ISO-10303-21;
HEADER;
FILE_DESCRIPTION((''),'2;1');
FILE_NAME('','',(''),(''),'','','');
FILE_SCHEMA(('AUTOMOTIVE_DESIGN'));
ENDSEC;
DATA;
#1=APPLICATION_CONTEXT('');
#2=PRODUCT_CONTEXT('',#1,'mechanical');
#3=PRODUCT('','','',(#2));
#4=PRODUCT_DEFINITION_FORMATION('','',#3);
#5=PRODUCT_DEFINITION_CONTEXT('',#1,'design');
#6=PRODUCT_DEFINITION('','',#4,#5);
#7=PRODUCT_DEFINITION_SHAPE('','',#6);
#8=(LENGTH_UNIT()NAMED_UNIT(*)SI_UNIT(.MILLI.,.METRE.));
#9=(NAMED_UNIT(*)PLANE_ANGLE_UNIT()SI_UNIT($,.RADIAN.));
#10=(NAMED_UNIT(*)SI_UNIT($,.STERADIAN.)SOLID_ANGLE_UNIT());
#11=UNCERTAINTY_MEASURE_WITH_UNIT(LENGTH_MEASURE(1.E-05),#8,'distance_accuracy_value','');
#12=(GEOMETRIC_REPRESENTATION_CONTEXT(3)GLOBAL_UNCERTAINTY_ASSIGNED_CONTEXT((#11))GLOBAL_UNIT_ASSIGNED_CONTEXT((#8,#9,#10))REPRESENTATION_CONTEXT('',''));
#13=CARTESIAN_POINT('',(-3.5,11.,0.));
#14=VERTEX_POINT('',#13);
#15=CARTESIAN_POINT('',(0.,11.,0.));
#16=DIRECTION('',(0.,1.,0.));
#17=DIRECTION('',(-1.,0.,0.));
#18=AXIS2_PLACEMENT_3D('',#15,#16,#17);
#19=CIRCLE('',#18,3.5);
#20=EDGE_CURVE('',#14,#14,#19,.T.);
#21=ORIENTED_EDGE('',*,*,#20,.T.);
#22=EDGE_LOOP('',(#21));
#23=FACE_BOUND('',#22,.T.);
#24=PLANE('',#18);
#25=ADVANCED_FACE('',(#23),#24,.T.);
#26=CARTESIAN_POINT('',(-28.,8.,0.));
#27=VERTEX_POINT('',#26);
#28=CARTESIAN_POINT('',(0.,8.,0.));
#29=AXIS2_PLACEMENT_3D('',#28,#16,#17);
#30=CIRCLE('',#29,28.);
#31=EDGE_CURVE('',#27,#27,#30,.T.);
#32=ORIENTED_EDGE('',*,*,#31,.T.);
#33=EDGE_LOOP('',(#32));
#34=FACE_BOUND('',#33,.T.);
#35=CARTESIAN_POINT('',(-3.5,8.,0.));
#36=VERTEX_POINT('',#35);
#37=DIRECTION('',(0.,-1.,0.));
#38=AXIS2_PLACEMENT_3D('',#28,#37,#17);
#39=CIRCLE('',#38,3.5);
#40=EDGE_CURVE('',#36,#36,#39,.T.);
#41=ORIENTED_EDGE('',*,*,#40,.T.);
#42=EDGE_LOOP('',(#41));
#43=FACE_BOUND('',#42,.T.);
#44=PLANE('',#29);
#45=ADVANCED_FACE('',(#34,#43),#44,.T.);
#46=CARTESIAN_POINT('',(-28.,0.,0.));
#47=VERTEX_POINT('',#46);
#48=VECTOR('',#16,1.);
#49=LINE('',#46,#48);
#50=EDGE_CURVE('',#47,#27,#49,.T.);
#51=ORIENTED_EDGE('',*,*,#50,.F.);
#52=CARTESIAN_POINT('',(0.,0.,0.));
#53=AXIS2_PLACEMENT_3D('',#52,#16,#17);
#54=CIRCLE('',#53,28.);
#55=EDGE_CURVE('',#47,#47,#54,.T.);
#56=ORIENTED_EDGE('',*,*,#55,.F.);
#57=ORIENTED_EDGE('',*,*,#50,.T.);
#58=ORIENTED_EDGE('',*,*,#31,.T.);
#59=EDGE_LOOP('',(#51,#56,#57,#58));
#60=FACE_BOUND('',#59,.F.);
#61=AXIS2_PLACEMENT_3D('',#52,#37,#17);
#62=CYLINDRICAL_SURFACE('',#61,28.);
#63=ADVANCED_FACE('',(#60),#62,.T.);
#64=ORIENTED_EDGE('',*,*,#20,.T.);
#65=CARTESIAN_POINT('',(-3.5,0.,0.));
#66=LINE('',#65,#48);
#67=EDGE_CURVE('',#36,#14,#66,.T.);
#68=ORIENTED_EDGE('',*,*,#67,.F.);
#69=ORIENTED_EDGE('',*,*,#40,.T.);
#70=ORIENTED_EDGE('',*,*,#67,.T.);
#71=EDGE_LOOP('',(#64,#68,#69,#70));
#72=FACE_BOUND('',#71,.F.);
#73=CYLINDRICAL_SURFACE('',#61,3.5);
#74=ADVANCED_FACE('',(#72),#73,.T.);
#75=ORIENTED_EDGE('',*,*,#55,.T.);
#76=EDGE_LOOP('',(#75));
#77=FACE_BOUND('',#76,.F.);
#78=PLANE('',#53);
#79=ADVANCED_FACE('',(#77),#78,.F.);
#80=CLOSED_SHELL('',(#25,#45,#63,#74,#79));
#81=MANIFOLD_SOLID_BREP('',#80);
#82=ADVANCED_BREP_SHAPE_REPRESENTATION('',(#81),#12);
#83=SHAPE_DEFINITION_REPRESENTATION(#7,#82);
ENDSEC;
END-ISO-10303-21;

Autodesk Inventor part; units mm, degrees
ref_plane "YZ Plane" through (0, 0, 0) normal (1, 0, 0) x (0, 1, 0)
ref_plane "XZ Plane" through (0, 0, 0) normal (0, 1, 0) x (-1, 0, 0)
ref_plane "XY Plane" through (0, 0, 0) normal (0, 0, 1) x (1, 0, 0)
sketch "Sketch1" plane through (0, 0, 0) normal (0, 1, 0) x (-1, 0, 0)
  circle A0 centre (0, 0) radius 28
  circle A1 centre (0, 0) radius 3.5
  dimension "d0" = 56
  dimension "d1" = 7
extrude "Extrusion1" add sketch "Sketch1" along normal blind 8 contours A0 | A1
extrude "Extrusion2" add sketch "Sketch1" along normal blind 11 contours A1
properties part number "Wheel"
